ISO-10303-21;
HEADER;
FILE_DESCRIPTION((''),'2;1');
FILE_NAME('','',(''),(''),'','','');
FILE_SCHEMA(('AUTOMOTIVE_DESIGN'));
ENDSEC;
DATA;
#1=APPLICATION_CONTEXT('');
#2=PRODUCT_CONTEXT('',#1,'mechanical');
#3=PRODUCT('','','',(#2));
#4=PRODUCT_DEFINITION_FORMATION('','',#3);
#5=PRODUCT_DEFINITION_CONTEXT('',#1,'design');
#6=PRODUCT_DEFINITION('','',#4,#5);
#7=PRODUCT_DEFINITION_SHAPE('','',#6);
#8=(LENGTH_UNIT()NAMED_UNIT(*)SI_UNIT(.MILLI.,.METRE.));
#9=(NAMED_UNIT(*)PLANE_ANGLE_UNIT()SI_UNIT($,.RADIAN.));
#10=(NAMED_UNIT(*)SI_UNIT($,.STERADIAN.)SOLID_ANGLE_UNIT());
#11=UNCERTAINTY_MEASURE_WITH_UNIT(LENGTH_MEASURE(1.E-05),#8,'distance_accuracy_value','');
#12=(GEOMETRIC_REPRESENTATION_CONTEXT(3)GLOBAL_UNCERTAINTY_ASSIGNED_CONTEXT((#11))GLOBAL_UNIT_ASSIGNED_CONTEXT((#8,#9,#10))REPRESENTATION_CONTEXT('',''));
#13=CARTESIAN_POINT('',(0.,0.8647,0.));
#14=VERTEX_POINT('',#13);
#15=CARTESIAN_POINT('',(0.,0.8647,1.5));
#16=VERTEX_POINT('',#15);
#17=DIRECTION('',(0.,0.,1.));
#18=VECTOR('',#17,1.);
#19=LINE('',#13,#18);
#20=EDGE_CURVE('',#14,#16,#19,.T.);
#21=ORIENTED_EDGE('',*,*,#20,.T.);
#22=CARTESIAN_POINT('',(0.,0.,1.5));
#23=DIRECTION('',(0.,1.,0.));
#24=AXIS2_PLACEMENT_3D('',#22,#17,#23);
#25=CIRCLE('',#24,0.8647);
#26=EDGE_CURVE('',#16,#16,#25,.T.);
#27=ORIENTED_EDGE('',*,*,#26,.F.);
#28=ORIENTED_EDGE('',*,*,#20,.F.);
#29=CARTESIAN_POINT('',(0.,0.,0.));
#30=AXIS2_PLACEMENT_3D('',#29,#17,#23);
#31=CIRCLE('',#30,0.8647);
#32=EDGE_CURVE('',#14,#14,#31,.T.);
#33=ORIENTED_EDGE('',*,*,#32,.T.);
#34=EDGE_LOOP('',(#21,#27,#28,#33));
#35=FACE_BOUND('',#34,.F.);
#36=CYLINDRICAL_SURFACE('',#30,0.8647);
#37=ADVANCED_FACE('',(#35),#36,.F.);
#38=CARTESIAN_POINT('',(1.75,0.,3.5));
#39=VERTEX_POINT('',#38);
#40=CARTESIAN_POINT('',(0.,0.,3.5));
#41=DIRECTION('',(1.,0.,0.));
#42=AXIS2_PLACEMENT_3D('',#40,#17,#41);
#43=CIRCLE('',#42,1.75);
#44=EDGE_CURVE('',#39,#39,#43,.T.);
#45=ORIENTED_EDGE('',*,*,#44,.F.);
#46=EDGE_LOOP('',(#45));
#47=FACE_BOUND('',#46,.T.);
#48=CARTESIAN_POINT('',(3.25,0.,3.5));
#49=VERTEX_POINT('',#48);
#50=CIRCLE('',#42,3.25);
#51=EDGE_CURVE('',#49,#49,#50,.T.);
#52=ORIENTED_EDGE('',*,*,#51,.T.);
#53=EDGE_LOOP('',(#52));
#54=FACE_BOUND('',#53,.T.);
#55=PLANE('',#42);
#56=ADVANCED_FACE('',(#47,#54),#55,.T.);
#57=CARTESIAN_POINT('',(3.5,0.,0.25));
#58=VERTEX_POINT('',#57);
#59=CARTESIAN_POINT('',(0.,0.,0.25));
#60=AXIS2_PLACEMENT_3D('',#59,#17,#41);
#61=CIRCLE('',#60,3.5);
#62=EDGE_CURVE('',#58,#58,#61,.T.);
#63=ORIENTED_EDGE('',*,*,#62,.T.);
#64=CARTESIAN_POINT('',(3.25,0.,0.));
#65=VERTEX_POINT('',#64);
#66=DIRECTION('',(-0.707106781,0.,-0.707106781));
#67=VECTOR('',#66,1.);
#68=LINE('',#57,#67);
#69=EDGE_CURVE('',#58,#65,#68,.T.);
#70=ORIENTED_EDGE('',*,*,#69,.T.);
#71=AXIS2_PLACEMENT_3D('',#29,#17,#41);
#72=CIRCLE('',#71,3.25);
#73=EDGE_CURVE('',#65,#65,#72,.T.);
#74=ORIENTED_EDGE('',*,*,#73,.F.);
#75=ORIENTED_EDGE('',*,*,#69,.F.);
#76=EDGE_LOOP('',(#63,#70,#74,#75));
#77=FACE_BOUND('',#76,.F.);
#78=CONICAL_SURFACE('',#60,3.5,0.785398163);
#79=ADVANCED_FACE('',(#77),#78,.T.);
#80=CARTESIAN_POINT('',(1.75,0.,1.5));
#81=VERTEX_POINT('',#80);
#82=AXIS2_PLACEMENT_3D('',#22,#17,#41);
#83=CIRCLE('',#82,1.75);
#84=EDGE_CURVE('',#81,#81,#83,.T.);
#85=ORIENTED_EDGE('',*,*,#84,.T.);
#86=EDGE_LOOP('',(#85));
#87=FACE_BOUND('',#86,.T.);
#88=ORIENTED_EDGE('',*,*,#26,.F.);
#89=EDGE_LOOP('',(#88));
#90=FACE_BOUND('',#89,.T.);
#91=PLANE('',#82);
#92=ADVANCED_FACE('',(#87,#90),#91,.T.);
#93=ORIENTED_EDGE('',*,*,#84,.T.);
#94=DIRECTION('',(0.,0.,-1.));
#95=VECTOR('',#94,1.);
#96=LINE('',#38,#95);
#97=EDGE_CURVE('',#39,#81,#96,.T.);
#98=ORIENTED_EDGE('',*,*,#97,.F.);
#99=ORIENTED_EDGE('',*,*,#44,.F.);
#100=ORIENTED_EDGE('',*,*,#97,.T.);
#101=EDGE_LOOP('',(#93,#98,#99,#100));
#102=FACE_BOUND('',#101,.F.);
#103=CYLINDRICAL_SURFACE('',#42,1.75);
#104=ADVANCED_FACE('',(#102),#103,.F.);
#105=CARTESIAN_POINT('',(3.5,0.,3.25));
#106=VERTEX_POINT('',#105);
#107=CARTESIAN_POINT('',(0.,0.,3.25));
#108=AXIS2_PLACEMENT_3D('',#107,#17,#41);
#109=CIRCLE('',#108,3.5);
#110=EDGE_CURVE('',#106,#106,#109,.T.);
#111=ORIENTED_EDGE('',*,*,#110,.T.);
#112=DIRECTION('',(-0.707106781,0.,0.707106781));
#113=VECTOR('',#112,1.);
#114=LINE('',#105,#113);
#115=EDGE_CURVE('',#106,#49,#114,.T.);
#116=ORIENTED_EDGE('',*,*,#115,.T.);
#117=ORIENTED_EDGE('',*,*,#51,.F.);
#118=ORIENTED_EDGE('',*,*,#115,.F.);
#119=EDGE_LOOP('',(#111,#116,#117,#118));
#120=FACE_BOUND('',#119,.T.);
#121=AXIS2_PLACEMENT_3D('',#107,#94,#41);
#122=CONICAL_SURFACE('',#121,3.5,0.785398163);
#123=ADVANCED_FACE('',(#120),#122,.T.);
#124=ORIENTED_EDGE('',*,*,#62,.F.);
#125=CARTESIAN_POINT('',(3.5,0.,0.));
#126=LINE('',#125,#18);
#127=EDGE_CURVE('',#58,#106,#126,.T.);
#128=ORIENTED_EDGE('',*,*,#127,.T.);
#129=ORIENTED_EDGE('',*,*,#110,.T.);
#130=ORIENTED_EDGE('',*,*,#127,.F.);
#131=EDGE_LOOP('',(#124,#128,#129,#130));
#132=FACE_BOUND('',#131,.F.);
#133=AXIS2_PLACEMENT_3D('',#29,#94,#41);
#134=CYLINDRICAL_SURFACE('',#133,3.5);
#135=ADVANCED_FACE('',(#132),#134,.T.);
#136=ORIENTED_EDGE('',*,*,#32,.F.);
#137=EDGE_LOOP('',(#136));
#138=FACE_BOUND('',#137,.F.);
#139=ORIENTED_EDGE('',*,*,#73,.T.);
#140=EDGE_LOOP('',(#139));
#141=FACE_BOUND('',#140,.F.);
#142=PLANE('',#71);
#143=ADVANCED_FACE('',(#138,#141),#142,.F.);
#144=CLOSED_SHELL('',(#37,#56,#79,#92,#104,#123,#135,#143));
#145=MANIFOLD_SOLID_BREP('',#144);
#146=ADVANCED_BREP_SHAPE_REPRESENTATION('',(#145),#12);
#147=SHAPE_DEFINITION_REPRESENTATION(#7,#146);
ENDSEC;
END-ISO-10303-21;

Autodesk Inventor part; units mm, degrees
ref_plane "YZ Plane" through (0, 0, 0) normal (1, 0, 0) x (0, 1, 0)
ref_plane "XZ Plane" through (0, 0, 0) normal (0, 1, 0) x (-1, 0, 0)
ref_plane "XY Plane" through (0, 0, 0) normal (0, 0, 1) x (1, 0, 0)
sketch "Sketch1" plane through (0, 0, 0) normal (0, 0, 1) x (1, 0, 0)
  circle A0 centre (0, 0) radius 3.5
  dimension "d0" = 7
extrude "Extrusion1" add sketch "Sketch1" along normal blind 3.5
hole "Hole1" at (0, 0, 0) direction (0, 0, 1) diameter 1.7294 depth 10 tip angle 118 thread size "M2x0.25" class "6H" standard "ISO Metric profile"
chamfer "Chamfer1" distance 0.25 angle 45 2 edges at (-3.5, 0, 3.5) (-3.5, 0, 0)
sketch "Sketch2" plane through (0, 0, 3.5) normal (0, 0, 1) x (1, 0, 0)
  circle A0 centre (0, 0) radius 1.75
  dimension "d13" = 3.5
extrude "Extrusion2" cut sketch "Sketch2" against normal blind 2
properties part number "Cover of port"
